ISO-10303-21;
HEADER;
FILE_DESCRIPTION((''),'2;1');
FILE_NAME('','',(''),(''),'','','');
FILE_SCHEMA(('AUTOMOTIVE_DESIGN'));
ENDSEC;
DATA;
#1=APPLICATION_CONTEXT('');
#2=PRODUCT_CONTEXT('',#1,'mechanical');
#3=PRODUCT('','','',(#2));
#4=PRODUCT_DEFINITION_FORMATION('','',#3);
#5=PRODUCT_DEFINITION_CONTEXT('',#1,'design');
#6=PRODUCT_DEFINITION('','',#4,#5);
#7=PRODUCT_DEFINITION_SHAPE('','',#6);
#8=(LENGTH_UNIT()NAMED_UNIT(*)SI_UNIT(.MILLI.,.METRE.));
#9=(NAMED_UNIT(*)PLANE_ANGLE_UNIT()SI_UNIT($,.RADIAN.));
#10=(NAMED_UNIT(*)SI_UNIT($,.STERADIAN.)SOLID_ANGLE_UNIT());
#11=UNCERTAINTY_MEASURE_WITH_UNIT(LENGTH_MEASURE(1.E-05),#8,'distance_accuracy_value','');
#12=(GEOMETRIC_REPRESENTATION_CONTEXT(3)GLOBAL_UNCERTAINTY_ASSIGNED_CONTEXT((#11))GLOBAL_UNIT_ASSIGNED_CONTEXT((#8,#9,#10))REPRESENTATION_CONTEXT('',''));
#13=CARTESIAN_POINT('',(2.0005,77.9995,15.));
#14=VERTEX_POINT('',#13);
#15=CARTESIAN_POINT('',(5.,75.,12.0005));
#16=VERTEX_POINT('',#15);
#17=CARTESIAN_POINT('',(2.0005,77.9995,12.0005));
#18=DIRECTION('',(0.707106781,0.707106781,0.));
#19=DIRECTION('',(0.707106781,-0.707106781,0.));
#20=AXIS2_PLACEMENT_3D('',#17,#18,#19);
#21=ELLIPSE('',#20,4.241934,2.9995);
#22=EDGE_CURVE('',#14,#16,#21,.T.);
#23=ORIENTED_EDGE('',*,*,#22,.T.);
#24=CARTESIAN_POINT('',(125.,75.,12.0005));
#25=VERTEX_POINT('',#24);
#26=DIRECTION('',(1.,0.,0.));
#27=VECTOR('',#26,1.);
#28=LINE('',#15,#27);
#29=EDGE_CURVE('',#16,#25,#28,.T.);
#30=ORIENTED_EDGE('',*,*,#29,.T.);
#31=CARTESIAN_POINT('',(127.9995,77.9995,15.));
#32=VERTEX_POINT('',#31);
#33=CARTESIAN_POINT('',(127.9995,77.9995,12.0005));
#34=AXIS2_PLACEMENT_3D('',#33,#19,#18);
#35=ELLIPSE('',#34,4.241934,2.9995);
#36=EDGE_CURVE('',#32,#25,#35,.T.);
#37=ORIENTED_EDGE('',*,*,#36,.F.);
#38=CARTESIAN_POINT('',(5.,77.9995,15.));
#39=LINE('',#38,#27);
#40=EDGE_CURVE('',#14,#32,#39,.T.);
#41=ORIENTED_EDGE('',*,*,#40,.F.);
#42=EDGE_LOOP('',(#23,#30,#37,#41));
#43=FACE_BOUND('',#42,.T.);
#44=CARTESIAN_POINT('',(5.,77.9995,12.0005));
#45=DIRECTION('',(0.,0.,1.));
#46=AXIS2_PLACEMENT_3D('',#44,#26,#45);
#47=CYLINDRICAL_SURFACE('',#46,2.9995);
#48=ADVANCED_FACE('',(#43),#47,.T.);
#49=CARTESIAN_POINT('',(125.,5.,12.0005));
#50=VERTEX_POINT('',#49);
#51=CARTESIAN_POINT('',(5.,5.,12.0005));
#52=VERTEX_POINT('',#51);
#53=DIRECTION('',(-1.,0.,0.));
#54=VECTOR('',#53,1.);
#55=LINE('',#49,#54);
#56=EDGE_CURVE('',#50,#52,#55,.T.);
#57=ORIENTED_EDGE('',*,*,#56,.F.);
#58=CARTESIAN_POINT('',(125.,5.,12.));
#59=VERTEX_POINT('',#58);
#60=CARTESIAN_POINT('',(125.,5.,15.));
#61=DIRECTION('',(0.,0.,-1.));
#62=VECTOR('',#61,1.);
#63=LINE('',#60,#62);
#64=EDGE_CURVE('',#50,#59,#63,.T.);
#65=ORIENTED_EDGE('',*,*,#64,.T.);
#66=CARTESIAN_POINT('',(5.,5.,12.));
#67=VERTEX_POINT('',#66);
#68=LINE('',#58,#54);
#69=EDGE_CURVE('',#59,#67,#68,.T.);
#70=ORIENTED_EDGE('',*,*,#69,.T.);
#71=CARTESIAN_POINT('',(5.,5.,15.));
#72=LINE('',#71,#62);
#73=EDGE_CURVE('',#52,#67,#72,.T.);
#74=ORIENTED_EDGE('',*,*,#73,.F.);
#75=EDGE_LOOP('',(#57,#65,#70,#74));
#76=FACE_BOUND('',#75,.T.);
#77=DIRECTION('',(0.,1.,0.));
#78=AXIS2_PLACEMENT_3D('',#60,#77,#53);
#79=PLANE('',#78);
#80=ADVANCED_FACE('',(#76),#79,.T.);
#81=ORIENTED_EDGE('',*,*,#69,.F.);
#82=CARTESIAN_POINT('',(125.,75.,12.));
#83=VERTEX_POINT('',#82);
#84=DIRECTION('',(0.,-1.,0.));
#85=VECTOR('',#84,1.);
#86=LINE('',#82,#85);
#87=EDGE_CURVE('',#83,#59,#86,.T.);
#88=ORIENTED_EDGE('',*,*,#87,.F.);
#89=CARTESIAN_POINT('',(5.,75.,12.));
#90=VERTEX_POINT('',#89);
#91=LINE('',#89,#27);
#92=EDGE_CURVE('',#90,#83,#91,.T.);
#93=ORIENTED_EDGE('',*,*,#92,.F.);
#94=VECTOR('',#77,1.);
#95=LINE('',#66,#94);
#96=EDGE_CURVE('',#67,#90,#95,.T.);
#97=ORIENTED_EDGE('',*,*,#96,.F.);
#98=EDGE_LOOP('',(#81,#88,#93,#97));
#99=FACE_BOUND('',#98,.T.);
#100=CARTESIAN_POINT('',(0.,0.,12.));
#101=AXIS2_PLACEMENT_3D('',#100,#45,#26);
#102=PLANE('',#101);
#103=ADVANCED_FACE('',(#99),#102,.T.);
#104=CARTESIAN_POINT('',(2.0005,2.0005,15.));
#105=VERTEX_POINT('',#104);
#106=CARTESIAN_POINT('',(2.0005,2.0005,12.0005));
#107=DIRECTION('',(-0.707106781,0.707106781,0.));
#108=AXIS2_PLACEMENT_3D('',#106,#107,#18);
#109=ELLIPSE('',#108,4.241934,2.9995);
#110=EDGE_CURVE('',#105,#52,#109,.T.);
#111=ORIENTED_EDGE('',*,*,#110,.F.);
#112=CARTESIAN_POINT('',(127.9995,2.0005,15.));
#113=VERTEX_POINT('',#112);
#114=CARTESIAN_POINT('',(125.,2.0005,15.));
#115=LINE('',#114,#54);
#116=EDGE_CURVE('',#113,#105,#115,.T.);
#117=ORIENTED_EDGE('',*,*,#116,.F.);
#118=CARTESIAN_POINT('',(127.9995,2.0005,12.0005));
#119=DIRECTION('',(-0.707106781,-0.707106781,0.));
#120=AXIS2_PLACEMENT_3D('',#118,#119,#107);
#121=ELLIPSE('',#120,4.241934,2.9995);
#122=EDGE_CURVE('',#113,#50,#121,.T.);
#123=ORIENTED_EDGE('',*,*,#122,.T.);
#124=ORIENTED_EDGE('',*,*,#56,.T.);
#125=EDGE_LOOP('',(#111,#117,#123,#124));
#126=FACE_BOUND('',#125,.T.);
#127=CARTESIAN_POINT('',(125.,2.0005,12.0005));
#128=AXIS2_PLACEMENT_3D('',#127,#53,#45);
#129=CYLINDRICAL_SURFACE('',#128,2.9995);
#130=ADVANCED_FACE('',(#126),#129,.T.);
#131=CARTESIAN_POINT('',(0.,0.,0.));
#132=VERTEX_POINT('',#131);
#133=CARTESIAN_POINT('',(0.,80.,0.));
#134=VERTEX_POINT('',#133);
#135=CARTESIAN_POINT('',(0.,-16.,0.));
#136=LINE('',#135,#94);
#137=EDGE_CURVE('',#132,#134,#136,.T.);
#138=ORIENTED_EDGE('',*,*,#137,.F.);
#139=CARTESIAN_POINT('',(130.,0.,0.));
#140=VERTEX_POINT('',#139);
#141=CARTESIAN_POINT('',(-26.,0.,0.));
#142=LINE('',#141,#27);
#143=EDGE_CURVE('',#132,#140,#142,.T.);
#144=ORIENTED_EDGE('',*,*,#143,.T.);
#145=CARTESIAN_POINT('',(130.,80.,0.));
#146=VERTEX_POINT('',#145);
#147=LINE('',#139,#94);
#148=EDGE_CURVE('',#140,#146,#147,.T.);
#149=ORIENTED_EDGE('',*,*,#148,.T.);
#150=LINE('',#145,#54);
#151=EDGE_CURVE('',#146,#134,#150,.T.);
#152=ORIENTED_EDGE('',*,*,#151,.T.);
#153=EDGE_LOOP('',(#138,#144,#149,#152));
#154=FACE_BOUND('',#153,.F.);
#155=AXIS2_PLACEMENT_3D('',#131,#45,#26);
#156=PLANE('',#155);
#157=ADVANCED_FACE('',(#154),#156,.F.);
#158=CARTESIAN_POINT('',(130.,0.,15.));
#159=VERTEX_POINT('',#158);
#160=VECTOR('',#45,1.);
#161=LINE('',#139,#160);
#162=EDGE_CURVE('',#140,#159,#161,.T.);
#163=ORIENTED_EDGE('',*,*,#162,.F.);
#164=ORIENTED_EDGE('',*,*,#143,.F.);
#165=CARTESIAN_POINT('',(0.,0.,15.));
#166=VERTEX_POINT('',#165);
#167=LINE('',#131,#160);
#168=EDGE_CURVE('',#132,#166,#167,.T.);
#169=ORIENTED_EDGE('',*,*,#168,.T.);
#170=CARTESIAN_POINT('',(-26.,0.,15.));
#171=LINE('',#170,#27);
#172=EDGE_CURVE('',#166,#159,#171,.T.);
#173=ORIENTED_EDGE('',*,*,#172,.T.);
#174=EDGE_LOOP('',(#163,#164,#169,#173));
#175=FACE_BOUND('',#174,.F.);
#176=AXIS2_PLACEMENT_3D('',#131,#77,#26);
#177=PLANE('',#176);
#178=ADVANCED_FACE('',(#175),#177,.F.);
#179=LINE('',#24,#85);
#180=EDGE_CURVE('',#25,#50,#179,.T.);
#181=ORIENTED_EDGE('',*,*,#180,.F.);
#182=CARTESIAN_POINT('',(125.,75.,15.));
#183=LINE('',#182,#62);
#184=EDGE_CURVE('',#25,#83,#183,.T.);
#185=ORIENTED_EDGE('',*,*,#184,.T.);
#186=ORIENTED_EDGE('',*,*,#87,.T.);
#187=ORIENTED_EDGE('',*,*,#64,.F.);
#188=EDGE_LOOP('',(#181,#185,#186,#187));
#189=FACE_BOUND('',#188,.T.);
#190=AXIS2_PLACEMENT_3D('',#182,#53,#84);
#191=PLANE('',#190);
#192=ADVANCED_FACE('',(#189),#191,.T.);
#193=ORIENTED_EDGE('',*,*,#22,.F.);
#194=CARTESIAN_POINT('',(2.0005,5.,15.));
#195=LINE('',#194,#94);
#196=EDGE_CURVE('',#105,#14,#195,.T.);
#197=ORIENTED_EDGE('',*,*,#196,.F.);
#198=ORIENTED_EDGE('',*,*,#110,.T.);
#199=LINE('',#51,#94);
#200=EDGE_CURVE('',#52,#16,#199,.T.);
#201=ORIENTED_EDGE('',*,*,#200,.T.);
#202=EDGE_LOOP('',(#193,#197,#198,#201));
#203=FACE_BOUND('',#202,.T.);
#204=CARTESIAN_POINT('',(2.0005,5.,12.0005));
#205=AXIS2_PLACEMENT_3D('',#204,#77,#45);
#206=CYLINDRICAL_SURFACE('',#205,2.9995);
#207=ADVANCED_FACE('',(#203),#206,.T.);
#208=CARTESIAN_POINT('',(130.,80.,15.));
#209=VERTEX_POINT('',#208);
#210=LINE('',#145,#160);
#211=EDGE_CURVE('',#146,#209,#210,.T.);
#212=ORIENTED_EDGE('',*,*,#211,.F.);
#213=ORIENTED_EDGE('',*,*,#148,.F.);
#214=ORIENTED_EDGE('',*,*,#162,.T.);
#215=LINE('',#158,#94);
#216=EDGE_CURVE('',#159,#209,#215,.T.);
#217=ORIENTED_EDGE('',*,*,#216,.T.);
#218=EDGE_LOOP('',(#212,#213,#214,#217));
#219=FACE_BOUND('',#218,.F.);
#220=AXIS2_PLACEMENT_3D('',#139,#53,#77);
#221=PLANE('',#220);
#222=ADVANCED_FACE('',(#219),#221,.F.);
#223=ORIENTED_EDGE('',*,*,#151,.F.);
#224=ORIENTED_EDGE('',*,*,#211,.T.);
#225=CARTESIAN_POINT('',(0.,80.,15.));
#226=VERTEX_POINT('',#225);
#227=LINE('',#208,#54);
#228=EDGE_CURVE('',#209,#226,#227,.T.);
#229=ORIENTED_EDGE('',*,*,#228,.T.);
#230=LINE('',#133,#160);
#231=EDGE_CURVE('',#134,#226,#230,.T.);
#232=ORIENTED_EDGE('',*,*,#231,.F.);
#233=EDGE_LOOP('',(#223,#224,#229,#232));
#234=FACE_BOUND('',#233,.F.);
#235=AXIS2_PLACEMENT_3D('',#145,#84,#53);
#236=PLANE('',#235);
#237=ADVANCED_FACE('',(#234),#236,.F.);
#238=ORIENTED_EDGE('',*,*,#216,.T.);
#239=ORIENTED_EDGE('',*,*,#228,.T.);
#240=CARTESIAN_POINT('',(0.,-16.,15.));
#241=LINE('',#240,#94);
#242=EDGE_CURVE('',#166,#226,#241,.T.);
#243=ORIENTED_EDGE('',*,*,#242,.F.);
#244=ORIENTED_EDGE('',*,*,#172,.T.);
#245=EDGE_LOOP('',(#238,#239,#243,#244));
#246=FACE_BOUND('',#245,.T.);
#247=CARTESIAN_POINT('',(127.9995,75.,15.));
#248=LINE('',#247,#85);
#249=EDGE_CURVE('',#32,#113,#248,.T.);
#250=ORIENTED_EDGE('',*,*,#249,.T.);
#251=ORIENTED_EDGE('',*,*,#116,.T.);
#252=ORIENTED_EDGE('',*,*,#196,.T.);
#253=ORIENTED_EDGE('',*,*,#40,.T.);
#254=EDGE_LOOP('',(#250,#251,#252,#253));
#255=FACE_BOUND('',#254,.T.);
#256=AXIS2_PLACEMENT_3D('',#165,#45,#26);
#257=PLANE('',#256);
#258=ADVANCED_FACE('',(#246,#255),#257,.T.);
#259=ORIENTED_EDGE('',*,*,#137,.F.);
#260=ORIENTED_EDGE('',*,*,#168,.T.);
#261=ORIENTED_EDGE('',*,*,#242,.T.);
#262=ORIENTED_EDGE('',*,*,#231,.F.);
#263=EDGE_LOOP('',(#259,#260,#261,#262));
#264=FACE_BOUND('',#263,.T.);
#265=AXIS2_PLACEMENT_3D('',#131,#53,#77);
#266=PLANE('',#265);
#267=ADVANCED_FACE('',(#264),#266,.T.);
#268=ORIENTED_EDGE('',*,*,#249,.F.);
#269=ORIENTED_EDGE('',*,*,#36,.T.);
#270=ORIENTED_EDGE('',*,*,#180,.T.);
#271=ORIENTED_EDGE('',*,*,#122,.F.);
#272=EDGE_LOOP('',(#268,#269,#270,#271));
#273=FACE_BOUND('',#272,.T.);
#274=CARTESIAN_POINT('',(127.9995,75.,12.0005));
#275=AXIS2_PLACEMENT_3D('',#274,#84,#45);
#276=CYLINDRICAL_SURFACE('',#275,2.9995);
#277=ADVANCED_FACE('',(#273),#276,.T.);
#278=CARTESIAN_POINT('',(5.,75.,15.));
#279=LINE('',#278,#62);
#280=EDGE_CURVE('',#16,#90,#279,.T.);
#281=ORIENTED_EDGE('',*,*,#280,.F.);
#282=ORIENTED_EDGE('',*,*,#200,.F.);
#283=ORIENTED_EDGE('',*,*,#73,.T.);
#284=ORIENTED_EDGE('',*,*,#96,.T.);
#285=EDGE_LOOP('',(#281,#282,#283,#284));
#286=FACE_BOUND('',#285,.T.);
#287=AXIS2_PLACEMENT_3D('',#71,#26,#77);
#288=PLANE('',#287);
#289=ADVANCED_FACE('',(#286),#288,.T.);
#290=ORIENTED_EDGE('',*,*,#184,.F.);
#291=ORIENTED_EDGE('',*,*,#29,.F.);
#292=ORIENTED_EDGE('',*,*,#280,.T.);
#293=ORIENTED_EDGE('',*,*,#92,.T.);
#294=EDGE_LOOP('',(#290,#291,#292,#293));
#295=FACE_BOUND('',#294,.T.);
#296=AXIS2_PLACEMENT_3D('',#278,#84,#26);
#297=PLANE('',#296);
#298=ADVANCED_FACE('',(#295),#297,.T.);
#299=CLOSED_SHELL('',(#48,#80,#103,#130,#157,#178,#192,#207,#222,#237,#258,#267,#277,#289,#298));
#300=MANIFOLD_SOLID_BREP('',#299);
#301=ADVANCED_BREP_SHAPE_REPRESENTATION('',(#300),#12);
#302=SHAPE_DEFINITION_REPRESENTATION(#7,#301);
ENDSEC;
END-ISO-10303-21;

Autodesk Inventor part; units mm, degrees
ref_plane "YZ Plane" through (0, 0, 0) normal (1, 0, 0) x (0, 1, 0)
ref_plane "XZ Plane" through (0, 0, 0) normal (0, 1, 0) x (-1, 0, 0)
ref_plane "XY Plane" through (0, 0, 0) normal (0, 0, 1) x (1, 0, 0)
sketch "Skizze2" plane through (0, 0, 0) normal (0, 0, 1) x (1, 0, 0)
  line L0 (-26, 0) -> (156, 0) projected
  line L1 (0, -16) -> (0, 96) projected
  line L2 (0, 0) -> (130, 0)
  line L3 (130, 0) -> (130, 80)
  line L4 (130, 80) -> (0, 80)
  line L5 (0, 80) -> (0, 0)
  point P0 (0, 80)
  dimension "d0" = 80
  dimension "d1" = 130
extrude "Extrusion1" add sketch "Skizze2" along normal blind 15
sketch "Skizze3" plane through (0, 0, 15) normal (0, 0, 1) x (1, 0, 0)
  line L0 (5, 75) -> (125, 75)
  line L1 (125, 75) -> (125, 5)
  line L2 (125, 5) -> (5, 5)
  line L3 (5, 5) -> (5, 75)
  line L4 (130, 80) -> (0, 80) projected
  line L5 (130, 0) -> (130, 80) projected
  line L6 (0, 0) -> (130, 0) projected
  line L7 (0, 80) -> (0, 0) projected
  dimension "d4" = 5
  dimension "d5" = 5
  dimension "d6" = 5
  dimension "d7" = 5
extrude "Extrusion2" cut sketch "Skizze3" against normal blind 3 contours L0 L1 L2 L3
fillet "Rundung1" radius 3 4 edges at (65, 75, 15) (5, 40, 15) (65, 5, 15) (125, 40, 15)
properties part number "Display_Dummy"
